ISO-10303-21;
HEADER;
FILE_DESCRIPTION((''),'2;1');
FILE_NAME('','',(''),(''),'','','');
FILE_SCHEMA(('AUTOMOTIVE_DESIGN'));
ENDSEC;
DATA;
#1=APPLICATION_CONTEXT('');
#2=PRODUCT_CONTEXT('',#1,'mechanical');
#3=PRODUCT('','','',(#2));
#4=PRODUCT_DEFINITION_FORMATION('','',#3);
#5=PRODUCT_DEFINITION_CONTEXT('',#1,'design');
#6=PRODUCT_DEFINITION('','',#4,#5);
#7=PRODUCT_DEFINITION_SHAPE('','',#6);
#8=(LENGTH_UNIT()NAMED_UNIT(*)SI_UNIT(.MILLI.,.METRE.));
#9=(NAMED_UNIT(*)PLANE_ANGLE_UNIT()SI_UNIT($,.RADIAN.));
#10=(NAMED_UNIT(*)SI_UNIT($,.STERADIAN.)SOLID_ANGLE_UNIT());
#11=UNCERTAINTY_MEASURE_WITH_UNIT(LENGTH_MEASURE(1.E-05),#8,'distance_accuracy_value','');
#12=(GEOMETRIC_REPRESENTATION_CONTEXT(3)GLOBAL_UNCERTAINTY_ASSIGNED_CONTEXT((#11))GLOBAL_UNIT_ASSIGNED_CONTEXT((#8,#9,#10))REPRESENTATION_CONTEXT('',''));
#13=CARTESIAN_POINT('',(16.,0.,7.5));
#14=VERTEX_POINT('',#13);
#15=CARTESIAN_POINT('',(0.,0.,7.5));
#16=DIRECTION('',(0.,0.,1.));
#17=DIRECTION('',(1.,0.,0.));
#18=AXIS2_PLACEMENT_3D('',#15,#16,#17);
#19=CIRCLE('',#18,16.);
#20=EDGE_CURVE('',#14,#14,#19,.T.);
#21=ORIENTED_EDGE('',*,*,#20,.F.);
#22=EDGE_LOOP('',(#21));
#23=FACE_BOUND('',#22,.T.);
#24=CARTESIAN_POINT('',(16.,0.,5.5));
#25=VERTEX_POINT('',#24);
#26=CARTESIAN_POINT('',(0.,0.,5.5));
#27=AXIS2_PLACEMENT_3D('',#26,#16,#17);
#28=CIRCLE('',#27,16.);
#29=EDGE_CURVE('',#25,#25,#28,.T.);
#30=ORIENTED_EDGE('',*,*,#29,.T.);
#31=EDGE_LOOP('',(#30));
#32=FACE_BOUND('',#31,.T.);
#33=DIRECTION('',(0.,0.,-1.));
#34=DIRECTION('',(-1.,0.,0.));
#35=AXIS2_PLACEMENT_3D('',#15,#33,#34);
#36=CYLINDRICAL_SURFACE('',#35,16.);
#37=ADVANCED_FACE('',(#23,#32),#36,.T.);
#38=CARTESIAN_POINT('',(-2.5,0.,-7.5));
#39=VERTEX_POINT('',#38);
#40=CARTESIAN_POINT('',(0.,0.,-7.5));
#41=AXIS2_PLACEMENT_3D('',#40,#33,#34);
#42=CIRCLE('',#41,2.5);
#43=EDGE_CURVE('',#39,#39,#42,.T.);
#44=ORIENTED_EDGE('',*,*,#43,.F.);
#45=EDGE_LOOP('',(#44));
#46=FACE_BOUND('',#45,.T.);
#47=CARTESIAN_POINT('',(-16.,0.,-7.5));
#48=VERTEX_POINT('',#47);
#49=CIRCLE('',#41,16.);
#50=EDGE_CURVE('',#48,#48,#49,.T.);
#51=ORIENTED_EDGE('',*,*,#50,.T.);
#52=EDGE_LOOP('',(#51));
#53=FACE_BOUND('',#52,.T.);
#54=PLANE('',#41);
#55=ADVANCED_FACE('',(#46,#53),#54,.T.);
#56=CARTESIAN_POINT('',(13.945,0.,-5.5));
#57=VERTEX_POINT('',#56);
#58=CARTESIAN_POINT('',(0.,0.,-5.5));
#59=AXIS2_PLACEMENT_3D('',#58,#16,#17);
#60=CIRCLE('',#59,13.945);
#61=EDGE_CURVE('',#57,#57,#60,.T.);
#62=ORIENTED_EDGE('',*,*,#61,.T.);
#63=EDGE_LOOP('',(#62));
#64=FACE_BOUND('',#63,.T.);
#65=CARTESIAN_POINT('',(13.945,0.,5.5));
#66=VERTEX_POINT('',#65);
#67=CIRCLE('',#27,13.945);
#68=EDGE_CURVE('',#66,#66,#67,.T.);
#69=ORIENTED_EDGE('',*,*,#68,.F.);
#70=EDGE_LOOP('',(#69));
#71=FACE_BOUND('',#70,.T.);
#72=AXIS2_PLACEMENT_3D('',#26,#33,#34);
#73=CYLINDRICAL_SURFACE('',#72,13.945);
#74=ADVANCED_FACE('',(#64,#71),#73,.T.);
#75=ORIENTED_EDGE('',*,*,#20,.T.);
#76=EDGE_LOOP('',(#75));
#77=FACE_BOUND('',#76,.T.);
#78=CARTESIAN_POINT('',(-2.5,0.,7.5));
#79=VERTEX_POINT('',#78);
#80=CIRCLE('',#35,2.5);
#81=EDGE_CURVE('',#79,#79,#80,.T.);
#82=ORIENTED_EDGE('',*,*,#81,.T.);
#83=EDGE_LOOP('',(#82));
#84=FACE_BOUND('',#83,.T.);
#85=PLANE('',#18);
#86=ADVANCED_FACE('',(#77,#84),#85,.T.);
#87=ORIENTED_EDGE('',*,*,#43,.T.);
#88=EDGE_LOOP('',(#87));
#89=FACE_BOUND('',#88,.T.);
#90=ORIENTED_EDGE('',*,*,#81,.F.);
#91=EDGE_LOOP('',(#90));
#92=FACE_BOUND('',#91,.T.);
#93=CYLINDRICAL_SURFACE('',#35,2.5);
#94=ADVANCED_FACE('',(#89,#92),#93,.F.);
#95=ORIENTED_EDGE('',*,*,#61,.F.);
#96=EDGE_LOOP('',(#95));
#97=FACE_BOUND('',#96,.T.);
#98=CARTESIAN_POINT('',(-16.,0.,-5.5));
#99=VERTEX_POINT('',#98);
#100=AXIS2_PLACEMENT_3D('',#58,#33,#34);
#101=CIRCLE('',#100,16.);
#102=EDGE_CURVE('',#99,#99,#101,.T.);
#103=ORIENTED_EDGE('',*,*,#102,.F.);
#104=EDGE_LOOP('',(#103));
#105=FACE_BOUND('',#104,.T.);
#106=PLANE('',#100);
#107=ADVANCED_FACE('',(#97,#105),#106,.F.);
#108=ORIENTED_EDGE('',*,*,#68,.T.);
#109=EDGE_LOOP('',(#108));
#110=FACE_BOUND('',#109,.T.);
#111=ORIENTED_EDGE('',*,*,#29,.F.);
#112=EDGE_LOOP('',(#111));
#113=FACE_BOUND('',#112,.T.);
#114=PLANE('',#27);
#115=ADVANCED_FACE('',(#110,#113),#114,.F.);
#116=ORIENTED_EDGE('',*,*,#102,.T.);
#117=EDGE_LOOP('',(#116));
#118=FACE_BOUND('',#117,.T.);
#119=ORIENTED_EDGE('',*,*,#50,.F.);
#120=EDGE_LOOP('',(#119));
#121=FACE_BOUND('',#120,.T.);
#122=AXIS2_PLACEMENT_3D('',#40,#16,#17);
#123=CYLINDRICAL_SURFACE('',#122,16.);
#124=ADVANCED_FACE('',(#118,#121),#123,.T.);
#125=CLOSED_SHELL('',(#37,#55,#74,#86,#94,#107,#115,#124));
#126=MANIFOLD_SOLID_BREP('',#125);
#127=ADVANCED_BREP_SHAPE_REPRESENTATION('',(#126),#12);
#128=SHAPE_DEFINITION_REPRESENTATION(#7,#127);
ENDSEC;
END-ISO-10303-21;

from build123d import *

# Parameters (mm, degrees)
SKETCH_1_R               = 13.945
EXTRUDE_1_DEPTH          = 5.5
SKETCH_2_R               = 16
EXTRUDE_2_DEPTH          = 2
EXTRUDE_START            = 2
SKETCH_3_R               = 16
EXTRUDE_3_DEPTH          = 2
CUT_EXTRUDE_1_DEPTH      = 28.147743921
CUT_EXTRUDE_1_DEPTH_BACK = 28.147743921
SKETCH_4_R               = 2.5


with BuildPart() as part:
    # 草图1 → 凸台-拉伸1 (new, symmetric)
    with BuildSketch(Plane.XY):
        Circle(SKETCH_1_R)
    extrude(amount=EXTRUDE_1_DEPTH, both=True)

    # 草图2 → 凸台-拉伸2 (add)
    with BuildSketch(Plane.XY.offset(5.5)):
        Circle(SKETCH_2_R)
    extrude(amount=EXTRUDE_2_DEPTH)

    # 草图3 → 凸台-拉伸3 (add)
    with BuildSketch(Plane(origin=(0, 0, -5.5), x_dir=(-1, 0, 0), z_dir=(0, 0, -1)).offset(EXTRUDE_START)):
        with Locations(Location((0, 0, 0), (0, 0, 180))):
            Circle(SKETCH_3_R)
    extrude(amount=-EXTRUDE_3_DEPTH)

    # 草图4 → 切除-拉伸1 (cut, two sides: drawn at the far end of the back side and taken through both)
    with BuildSketch(Plane(origin=(0, 0, -7.5), x_dir=(-1, 0, 0), z_dir=(0, 0, -1)).offset(-CUT_EXTRUDE_1_DEPTH_BACK)):
        Circle(SKETCH_4_R)
    extrude(amount=CUT_EXTRUDE_1_DEPTH + CUT_EXTRUDE_1_DEPTH_BACK, mode=Mode.SUBTRACT)


solid = part.part
